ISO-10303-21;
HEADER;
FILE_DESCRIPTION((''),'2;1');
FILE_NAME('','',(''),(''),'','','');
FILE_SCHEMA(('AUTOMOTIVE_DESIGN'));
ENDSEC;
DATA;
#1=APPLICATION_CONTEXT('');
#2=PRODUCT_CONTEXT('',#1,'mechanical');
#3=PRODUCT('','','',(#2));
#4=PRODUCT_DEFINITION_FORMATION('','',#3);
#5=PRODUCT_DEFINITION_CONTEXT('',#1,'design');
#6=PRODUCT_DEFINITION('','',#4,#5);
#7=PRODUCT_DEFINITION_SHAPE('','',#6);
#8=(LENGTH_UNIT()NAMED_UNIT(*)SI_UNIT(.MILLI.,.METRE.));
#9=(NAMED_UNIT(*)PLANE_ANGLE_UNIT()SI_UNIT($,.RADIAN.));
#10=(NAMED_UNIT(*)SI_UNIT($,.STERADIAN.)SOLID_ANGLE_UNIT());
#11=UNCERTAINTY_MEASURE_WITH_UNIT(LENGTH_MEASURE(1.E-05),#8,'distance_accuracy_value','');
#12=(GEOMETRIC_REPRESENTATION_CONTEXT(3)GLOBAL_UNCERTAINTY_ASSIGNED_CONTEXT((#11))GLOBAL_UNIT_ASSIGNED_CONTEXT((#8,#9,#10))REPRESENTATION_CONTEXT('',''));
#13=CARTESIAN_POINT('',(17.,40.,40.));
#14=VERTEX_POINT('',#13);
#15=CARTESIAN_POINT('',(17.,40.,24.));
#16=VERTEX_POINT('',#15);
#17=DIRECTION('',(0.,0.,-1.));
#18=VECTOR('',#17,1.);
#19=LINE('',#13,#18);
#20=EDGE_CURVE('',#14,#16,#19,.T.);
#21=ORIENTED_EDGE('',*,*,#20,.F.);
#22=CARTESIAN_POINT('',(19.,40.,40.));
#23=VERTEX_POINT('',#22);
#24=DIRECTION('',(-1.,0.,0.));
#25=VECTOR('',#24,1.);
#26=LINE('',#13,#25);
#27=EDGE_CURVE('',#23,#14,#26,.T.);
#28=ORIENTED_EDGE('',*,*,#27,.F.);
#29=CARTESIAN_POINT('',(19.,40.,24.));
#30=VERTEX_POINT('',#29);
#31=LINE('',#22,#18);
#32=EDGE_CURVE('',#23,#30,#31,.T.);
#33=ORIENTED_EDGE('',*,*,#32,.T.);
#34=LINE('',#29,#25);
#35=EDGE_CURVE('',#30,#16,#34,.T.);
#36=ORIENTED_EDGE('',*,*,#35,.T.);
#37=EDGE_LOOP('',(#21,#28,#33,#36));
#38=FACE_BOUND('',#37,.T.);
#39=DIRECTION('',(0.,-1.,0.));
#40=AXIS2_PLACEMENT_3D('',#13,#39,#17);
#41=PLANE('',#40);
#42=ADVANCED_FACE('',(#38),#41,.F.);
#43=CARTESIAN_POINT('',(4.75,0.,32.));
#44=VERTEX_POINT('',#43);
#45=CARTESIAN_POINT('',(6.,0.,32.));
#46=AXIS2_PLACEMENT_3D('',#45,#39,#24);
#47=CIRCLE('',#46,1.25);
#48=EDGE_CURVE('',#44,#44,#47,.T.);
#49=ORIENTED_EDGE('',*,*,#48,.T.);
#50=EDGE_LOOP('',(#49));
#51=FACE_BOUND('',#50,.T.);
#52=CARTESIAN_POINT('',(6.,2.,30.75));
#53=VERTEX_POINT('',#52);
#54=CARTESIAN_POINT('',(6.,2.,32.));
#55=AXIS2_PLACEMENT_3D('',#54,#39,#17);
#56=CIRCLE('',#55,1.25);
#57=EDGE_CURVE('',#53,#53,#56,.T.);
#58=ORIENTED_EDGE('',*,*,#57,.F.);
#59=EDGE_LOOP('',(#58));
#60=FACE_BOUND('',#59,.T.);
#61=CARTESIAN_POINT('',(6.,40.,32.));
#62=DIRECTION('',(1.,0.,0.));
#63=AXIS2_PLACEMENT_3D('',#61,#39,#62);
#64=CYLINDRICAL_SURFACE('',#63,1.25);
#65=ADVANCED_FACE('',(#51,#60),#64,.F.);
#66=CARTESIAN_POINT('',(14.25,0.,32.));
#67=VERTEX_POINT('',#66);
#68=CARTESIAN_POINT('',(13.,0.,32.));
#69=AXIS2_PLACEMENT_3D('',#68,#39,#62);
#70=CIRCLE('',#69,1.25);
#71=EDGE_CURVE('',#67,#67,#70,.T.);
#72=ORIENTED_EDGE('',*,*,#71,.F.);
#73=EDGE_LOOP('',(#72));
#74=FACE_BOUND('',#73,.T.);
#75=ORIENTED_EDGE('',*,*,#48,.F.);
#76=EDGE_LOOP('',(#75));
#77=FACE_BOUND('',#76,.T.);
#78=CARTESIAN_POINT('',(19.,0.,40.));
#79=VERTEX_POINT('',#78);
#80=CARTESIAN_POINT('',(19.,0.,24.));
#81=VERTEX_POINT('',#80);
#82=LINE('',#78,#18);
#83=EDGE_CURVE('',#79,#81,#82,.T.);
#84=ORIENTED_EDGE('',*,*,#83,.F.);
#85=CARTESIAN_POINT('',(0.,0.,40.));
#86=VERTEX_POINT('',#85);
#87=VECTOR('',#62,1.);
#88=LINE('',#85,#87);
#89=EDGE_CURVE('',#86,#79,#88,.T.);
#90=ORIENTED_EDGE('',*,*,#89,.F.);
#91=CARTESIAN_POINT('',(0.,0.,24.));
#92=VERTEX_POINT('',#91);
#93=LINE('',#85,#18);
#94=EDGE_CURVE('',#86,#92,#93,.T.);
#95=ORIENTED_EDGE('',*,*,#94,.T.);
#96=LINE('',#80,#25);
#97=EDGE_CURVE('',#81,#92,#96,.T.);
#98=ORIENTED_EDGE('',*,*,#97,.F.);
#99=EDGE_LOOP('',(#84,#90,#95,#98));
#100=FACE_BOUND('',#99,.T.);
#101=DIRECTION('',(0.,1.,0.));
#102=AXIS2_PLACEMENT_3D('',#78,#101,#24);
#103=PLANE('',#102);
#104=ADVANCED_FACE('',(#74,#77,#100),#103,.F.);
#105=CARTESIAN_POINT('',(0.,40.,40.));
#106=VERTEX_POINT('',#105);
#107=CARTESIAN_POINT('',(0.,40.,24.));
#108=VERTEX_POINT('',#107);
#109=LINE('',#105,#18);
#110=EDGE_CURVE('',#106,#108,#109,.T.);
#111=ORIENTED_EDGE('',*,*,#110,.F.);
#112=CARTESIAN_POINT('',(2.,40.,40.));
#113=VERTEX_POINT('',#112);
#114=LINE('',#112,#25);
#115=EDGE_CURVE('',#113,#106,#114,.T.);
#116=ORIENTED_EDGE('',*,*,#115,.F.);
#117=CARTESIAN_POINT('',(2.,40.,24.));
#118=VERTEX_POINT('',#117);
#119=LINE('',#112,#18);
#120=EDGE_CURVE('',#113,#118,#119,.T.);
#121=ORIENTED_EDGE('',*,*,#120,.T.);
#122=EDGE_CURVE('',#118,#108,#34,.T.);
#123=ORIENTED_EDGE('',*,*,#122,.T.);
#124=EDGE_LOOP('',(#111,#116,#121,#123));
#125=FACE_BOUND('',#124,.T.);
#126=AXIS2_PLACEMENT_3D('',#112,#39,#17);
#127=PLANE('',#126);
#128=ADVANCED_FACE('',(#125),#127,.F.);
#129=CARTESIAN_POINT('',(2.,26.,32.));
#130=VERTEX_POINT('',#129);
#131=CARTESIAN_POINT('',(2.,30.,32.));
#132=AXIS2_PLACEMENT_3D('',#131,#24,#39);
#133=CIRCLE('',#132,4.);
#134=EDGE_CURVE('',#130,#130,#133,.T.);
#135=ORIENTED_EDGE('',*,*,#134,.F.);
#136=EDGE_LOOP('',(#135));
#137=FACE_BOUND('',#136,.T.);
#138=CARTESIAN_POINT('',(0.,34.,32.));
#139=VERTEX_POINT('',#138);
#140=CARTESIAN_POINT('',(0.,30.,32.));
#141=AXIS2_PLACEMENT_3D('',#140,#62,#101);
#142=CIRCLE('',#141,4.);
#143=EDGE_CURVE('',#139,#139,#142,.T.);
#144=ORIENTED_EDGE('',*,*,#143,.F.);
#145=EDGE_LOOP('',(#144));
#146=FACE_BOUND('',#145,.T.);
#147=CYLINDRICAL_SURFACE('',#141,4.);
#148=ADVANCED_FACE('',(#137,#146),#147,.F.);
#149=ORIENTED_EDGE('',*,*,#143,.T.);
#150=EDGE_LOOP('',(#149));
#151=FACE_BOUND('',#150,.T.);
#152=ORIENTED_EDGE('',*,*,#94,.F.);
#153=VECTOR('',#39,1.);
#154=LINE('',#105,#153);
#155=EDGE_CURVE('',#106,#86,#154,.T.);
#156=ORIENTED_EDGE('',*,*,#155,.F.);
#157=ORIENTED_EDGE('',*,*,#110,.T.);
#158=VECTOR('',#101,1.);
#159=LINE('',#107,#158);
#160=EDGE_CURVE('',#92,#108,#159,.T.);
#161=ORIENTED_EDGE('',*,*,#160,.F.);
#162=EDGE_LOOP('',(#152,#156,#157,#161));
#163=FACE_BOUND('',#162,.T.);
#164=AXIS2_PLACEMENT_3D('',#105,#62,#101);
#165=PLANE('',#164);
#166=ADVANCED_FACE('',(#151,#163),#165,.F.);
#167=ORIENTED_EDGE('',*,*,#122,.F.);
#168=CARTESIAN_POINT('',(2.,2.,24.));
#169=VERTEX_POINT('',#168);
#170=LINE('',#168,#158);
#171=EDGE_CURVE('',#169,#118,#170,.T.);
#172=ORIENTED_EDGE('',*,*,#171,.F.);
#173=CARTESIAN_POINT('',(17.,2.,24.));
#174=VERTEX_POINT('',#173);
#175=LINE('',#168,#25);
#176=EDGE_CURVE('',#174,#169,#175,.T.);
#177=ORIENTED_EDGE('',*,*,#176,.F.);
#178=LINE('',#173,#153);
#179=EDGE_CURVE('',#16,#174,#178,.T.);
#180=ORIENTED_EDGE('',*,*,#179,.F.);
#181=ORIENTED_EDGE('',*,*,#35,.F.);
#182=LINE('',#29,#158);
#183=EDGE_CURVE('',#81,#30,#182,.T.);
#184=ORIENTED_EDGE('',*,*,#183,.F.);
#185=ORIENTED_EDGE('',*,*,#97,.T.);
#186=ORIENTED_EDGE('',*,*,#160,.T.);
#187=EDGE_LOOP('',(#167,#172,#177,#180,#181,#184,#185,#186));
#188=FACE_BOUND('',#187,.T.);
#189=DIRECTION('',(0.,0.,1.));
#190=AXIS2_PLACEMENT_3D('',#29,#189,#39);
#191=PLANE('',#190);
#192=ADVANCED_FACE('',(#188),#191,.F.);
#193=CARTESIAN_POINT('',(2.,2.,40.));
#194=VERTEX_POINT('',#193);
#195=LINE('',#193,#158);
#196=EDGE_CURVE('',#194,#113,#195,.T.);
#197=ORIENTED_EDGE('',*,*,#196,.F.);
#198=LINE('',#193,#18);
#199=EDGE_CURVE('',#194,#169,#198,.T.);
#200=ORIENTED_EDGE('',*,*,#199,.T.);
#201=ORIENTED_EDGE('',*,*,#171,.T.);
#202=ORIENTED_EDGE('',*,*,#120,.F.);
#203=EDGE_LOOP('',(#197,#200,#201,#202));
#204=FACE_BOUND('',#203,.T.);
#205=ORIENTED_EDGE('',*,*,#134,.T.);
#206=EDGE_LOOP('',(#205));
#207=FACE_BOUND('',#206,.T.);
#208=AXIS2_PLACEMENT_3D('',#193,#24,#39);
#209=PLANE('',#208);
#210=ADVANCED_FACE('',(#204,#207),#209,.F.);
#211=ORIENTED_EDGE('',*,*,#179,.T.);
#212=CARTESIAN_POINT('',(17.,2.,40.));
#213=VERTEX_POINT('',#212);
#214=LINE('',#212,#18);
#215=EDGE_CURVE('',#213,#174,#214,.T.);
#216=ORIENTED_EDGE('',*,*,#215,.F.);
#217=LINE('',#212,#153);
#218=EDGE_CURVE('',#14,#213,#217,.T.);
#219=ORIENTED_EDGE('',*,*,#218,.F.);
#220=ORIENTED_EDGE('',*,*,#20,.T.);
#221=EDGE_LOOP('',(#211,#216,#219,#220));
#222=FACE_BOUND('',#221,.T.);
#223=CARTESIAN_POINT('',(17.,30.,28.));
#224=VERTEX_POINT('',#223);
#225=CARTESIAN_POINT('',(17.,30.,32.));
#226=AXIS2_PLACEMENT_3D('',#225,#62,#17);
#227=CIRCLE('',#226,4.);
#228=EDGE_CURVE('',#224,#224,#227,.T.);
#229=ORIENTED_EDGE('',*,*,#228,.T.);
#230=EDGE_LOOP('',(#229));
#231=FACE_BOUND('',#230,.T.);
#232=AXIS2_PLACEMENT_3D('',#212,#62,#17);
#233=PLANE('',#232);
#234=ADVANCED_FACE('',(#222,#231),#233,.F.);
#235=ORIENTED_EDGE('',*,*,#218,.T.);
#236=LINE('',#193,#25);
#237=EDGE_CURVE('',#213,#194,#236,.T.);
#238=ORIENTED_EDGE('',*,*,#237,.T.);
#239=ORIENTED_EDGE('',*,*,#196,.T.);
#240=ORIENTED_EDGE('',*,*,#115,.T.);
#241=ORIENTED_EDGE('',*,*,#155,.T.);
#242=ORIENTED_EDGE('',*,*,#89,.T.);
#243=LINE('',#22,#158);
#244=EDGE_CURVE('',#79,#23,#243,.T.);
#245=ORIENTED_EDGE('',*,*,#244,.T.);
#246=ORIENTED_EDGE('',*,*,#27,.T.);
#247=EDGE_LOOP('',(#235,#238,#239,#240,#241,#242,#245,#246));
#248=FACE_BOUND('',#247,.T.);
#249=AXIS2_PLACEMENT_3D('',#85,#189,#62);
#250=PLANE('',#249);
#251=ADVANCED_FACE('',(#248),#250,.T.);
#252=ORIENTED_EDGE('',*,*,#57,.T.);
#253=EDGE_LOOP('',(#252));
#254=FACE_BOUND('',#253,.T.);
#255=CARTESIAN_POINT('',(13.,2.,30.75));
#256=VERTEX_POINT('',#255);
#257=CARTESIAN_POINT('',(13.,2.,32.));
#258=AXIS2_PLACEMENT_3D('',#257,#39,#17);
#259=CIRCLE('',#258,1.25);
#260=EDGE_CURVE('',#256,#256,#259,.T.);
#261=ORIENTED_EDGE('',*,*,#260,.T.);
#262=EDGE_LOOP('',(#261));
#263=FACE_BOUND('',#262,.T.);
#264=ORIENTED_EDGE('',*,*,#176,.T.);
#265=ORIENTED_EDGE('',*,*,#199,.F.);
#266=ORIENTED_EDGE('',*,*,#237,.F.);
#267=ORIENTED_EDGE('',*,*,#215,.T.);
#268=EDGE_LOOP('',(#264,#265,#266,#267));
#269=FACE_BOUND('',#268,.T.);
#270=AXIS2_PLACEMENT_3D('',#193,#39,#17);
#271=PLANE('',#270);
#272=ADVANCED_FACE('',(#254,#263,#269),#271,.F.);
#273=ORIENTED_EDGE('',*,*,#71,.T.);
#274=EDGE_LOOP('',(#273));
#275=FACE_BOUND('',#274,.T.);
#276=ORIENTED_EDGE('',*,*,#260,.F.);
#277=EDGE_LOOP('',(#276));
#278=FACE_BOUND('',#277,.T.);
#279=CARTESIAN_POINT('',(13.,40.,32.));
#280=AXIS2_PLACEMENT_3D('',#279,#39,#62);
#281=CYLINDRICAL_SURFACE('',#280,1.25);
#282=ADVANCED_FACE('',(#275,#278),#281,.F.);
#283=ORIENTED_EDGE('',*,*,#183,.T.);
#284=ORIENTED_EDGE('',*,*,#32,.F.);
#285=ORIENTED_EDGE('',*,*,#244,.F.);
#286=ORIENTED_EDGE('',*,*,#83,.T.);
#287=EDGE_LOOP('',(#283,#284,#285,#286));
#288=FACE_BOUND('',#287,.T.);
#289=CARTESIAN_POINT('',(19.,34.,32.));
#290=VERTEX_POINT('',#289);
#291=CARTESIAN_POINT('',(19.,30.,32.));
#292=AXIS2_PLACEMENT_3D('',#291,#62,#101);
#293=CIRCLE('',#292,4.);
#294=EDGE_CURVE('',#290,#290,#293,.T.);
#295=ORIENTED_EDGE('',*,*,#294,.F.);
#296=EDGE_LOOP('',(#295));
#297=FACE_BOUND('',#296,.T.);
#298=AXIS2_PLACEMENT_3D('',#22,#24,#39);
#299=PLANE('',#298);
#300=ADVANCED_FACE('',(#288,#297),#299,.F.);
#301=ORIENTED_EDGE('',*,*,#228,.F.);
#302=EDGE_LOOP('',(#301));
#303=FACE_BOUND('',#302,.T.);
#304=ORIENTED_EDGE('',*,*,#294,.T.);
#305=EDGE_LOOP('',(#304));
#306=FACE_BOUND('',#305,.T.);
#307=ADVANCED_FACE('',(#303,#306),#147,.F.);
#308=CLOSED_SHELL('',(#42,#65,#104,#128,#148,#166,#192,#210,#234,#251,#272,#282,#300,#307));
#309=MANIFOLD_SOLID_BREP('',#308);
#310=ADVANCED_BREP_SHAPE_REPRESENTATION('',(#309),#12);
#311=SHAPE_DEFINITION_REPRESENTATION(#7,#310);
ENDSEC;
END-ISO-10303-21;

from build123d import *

# Parameters (mm, degrees)
EXTRUDE_1_DEPTH     = 40
SKETCH_2_R          = 4
CUT_EXTRUDE_1_DEPTH = 60.674114991
SKETCH_5_W          = 24
SKETCH_5_H          = 40
CUT_EXTRUDE_4_DEPTH = 60.674114991
SKETCH_6_R          = 1.25
CUT_EXTRUDE_5_DEPTH = 60.674114991


with BuildPart() as part:
    # 草图1 → 凸台-拉伸1 (new body)
    with BuildSketch(Plane.XY):
        Polygon((0, 0), (2, 0), (17, 0), (19, 0), (19, 40), (17, 40), (17, 2), (2, 2), (2, 40), (0, 40), align=None)
    extrude(amount=EXTRUDE_1_DEPTH)

    # 草图2 → 切除-拉伸1 (cut, through all)
    with BuildSketch(Plane(origin=(19, 0, 0), x_dir=(0, 0, -1), z_dir=(1, 0, 0))):
        with Locations(Location((-32, 30, 0), (0, 0, 90))):
            Circle(SKETCH_2_R)
    extrude(amount=-CUT_EXTRUDE_1_DEPTH, mode=Mode.SUBTRACT)

    # 草图5 → 切除-拉伸4 (cut, through all)
    with BuildSketch(Plane.ZY):
        with Locations((12, 20)):
            Rectangle(SKETCH_5_W, SKETCH_5_H)
    extrude(amount=-CUT_EXTRUDE_4_DEPTH, mode=Mode.SUBTRACT)

    # 草图6 → 切除-拉伸5 (cut, through all)
    with BuildSketch(Plane.XZ):
        with Locations((13, 32)):
            Circle(SKETCH_6_R)
        with Locations(Location((6, 32, 0), (0, 0, 270))):
            Circle(SKETCH_6_R)
    extrude(amount=-CUT_EXTRUDE_5_DEPTH, mode=Mode.SUBTRACT)


solid = part.part
